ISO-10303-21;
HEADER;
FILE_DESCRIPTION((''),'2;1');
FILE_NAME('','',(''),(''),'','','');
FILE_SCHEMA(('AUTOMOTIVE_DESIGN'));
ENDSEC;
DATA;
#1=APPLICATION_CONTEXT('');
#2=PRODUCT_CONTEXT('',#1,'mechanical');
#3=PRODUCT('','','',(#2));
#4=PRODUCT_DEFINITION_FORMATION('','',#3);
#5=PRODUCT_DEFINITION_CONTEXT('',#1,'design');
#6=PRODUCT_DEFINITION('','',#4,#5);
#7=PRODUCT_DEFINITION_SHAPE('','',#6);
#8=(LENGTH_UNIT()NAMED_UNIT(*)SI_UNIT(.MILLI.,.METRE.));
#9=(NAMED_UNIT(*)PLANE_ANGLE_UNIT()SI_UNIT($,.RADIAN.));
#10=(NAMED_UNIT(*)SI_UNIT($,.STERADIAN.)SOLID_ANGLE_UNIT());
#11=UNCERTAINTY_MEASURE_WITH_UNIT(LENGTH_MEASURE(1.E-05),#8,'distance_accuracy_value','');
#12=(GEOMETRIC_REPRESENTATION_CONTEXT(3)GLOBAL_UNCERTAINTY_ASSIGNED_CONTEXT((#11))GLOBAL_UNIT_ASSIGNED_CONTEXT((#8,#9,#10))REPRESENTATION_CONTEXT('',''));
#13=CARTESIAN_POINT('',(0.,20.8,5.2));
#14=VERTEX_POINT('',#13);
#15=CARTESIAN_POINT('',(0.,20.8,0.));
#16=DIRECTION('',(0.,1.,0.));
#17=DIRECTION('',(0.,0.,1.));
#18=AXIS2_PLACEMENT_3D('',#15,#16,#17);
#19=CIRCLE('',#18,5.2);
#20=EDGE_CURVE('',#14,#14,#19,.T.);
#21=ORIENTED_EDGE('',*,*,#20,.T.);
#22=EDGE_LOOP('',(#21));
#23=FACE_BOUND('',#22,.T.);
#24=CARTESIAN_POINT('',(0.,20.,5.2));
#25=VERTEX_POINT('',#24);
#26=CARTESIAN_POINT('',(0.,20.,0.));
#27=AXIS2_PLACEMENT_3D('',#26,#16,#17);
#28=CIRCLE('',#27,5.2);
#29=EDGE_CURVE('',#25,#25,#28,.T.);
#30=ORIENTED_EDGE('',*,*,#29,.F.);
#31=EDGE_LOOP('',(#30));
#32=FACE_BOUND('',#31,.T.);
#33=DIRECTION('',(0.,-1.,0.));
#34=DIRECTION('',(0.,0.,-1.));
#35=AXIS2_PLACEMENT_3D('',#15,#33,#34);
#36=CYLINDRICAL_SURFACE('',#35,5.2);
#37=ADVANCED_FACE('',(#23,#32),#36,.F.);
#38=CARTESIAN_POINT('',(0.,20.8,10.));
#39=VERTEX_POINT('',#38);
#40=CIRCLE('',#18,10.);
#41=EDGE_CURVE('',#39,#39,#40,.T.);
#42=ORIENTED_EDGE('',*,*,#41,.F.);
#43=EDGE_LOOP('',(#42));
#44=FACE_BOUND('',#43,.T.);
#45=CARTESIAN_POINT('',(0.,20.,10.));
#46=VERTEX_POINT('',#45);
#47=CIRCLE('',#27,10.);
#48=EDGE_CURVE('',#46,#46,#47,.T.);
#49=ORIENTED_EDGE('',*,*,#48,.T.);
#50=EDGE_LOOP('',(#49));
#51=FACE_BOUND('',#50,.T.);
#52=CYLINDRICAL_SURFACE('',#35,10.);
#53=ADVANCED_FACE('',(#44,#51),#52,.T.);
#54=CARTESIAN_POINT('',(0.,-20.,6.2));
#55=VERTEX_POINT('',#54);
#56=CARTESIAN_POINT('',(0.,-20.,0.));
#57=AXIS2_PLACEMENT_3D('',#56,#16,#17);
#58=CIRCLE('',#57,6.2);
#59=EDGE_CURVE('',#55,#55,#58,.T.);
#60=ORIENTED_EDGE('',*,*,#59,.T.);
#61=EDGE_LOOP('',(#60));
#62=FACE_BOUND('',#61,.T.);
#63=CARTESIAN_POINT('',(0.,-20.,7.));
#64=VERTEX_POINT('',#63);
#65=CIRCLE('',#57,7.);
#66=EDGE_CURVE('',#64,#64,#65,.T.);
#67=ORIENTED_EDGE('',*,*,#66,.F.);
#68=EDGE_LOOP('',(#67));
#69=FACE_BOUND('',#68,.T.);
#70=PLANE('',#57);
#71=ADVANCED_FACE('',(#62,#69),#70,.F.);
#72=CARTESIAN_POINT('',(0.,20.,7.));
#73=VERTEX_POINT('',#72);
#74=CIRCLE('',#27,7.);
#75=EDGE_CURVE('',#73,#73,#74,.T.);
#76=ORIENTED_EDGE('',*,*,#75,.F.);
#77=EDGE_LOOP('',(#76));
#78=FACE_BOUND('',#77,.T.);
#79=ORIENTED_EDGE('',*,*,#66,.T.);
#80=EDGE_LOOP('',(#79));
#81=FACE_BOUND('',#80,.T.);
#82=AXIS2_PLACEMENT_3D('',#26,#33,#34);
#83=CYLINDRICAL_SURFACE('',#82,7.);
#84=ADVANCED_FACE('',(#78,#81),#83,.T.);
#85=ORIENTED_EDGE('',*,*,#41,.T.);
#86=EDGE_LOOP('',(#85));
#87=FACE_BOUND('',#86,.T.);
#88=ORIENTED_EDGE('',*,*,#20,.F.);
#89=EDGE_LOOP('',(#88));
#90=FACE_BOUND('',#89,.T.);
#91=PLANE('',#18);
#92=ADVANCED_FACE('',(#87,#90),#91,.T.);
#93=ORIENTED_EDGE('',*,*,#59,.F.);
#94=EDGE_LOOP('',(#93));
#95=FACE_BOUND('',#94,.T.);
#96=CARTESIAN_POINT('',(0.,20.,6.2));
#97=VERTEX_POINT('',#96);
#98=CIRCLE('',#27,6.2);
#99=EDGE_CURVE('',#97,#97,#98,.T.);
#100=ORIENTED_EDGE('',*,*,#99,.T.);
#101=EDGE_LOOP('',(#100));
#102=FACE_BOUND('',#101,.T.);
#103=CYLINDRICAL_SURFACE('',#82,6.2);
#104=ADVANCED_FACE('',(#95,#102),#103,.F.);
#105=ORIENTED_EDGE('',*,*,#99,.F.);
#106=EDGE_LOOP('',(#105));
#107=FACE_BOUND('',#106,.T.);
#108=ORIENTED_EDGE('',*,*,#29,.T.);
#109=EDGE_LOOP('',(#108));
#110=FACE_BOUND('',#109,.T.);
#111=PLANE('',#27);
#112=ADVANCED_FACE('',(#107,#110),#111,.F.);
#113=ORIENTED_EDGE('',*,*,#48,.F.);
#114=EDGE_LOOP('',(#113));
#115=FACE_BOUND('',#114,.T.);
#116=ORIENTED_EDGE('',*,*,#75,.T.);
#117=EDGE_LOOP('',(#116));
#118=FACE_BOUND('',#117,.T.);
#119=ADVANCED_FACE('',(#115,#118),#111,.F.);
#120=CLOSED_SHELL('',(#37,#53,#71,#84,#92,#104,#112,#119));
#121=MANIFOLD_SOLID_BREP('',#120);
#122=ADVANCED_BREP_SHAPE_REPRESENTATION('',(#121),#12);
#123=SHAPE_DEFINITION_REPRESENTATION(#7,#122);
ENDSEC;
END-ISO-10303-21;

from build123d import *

# Parameters (mm, degrees)
SKETCH1_R           = 7
SKETCH1_R_2         = 6.2
BOSS_EXTRUDE1_DEPTH = 20
SKETCH4_R           = 10
SKETCH4_R_2         = 5.2
BOSS_EXTRUDE3_DEPTH = 0.8


with BuildPart() as part:
    # Sketch1 → Boss-Extrude1 (new body, symmetric)
    with BuildSketch(Plane(origin=(0, 0, 0), x_dir=(1, 0, 0), z_dir=(0, 1, 0))):
        Circle(SKETCH1_R)
        Circle(SKETCH1_R_2, mode=Mode.SUBTRACT)
    extrude(amount=BOSS_EXTRUDE1_DEPTH, both=True)

    # Sketch4 → Boss-Extrude3 (add)
    with BuildSketch(Plane(origin=(0, 20, 0), x_dir=(1, 0, 0), z_dir=(0, 1, 0))):
        Circle(SKETCH4_R)
        Circle(SKETCH4_R_2, mode=Mode.SUBTRACT)
    extrude(amount=BOSS_EXTRUDE3_DEPTH)


solid = part.part
